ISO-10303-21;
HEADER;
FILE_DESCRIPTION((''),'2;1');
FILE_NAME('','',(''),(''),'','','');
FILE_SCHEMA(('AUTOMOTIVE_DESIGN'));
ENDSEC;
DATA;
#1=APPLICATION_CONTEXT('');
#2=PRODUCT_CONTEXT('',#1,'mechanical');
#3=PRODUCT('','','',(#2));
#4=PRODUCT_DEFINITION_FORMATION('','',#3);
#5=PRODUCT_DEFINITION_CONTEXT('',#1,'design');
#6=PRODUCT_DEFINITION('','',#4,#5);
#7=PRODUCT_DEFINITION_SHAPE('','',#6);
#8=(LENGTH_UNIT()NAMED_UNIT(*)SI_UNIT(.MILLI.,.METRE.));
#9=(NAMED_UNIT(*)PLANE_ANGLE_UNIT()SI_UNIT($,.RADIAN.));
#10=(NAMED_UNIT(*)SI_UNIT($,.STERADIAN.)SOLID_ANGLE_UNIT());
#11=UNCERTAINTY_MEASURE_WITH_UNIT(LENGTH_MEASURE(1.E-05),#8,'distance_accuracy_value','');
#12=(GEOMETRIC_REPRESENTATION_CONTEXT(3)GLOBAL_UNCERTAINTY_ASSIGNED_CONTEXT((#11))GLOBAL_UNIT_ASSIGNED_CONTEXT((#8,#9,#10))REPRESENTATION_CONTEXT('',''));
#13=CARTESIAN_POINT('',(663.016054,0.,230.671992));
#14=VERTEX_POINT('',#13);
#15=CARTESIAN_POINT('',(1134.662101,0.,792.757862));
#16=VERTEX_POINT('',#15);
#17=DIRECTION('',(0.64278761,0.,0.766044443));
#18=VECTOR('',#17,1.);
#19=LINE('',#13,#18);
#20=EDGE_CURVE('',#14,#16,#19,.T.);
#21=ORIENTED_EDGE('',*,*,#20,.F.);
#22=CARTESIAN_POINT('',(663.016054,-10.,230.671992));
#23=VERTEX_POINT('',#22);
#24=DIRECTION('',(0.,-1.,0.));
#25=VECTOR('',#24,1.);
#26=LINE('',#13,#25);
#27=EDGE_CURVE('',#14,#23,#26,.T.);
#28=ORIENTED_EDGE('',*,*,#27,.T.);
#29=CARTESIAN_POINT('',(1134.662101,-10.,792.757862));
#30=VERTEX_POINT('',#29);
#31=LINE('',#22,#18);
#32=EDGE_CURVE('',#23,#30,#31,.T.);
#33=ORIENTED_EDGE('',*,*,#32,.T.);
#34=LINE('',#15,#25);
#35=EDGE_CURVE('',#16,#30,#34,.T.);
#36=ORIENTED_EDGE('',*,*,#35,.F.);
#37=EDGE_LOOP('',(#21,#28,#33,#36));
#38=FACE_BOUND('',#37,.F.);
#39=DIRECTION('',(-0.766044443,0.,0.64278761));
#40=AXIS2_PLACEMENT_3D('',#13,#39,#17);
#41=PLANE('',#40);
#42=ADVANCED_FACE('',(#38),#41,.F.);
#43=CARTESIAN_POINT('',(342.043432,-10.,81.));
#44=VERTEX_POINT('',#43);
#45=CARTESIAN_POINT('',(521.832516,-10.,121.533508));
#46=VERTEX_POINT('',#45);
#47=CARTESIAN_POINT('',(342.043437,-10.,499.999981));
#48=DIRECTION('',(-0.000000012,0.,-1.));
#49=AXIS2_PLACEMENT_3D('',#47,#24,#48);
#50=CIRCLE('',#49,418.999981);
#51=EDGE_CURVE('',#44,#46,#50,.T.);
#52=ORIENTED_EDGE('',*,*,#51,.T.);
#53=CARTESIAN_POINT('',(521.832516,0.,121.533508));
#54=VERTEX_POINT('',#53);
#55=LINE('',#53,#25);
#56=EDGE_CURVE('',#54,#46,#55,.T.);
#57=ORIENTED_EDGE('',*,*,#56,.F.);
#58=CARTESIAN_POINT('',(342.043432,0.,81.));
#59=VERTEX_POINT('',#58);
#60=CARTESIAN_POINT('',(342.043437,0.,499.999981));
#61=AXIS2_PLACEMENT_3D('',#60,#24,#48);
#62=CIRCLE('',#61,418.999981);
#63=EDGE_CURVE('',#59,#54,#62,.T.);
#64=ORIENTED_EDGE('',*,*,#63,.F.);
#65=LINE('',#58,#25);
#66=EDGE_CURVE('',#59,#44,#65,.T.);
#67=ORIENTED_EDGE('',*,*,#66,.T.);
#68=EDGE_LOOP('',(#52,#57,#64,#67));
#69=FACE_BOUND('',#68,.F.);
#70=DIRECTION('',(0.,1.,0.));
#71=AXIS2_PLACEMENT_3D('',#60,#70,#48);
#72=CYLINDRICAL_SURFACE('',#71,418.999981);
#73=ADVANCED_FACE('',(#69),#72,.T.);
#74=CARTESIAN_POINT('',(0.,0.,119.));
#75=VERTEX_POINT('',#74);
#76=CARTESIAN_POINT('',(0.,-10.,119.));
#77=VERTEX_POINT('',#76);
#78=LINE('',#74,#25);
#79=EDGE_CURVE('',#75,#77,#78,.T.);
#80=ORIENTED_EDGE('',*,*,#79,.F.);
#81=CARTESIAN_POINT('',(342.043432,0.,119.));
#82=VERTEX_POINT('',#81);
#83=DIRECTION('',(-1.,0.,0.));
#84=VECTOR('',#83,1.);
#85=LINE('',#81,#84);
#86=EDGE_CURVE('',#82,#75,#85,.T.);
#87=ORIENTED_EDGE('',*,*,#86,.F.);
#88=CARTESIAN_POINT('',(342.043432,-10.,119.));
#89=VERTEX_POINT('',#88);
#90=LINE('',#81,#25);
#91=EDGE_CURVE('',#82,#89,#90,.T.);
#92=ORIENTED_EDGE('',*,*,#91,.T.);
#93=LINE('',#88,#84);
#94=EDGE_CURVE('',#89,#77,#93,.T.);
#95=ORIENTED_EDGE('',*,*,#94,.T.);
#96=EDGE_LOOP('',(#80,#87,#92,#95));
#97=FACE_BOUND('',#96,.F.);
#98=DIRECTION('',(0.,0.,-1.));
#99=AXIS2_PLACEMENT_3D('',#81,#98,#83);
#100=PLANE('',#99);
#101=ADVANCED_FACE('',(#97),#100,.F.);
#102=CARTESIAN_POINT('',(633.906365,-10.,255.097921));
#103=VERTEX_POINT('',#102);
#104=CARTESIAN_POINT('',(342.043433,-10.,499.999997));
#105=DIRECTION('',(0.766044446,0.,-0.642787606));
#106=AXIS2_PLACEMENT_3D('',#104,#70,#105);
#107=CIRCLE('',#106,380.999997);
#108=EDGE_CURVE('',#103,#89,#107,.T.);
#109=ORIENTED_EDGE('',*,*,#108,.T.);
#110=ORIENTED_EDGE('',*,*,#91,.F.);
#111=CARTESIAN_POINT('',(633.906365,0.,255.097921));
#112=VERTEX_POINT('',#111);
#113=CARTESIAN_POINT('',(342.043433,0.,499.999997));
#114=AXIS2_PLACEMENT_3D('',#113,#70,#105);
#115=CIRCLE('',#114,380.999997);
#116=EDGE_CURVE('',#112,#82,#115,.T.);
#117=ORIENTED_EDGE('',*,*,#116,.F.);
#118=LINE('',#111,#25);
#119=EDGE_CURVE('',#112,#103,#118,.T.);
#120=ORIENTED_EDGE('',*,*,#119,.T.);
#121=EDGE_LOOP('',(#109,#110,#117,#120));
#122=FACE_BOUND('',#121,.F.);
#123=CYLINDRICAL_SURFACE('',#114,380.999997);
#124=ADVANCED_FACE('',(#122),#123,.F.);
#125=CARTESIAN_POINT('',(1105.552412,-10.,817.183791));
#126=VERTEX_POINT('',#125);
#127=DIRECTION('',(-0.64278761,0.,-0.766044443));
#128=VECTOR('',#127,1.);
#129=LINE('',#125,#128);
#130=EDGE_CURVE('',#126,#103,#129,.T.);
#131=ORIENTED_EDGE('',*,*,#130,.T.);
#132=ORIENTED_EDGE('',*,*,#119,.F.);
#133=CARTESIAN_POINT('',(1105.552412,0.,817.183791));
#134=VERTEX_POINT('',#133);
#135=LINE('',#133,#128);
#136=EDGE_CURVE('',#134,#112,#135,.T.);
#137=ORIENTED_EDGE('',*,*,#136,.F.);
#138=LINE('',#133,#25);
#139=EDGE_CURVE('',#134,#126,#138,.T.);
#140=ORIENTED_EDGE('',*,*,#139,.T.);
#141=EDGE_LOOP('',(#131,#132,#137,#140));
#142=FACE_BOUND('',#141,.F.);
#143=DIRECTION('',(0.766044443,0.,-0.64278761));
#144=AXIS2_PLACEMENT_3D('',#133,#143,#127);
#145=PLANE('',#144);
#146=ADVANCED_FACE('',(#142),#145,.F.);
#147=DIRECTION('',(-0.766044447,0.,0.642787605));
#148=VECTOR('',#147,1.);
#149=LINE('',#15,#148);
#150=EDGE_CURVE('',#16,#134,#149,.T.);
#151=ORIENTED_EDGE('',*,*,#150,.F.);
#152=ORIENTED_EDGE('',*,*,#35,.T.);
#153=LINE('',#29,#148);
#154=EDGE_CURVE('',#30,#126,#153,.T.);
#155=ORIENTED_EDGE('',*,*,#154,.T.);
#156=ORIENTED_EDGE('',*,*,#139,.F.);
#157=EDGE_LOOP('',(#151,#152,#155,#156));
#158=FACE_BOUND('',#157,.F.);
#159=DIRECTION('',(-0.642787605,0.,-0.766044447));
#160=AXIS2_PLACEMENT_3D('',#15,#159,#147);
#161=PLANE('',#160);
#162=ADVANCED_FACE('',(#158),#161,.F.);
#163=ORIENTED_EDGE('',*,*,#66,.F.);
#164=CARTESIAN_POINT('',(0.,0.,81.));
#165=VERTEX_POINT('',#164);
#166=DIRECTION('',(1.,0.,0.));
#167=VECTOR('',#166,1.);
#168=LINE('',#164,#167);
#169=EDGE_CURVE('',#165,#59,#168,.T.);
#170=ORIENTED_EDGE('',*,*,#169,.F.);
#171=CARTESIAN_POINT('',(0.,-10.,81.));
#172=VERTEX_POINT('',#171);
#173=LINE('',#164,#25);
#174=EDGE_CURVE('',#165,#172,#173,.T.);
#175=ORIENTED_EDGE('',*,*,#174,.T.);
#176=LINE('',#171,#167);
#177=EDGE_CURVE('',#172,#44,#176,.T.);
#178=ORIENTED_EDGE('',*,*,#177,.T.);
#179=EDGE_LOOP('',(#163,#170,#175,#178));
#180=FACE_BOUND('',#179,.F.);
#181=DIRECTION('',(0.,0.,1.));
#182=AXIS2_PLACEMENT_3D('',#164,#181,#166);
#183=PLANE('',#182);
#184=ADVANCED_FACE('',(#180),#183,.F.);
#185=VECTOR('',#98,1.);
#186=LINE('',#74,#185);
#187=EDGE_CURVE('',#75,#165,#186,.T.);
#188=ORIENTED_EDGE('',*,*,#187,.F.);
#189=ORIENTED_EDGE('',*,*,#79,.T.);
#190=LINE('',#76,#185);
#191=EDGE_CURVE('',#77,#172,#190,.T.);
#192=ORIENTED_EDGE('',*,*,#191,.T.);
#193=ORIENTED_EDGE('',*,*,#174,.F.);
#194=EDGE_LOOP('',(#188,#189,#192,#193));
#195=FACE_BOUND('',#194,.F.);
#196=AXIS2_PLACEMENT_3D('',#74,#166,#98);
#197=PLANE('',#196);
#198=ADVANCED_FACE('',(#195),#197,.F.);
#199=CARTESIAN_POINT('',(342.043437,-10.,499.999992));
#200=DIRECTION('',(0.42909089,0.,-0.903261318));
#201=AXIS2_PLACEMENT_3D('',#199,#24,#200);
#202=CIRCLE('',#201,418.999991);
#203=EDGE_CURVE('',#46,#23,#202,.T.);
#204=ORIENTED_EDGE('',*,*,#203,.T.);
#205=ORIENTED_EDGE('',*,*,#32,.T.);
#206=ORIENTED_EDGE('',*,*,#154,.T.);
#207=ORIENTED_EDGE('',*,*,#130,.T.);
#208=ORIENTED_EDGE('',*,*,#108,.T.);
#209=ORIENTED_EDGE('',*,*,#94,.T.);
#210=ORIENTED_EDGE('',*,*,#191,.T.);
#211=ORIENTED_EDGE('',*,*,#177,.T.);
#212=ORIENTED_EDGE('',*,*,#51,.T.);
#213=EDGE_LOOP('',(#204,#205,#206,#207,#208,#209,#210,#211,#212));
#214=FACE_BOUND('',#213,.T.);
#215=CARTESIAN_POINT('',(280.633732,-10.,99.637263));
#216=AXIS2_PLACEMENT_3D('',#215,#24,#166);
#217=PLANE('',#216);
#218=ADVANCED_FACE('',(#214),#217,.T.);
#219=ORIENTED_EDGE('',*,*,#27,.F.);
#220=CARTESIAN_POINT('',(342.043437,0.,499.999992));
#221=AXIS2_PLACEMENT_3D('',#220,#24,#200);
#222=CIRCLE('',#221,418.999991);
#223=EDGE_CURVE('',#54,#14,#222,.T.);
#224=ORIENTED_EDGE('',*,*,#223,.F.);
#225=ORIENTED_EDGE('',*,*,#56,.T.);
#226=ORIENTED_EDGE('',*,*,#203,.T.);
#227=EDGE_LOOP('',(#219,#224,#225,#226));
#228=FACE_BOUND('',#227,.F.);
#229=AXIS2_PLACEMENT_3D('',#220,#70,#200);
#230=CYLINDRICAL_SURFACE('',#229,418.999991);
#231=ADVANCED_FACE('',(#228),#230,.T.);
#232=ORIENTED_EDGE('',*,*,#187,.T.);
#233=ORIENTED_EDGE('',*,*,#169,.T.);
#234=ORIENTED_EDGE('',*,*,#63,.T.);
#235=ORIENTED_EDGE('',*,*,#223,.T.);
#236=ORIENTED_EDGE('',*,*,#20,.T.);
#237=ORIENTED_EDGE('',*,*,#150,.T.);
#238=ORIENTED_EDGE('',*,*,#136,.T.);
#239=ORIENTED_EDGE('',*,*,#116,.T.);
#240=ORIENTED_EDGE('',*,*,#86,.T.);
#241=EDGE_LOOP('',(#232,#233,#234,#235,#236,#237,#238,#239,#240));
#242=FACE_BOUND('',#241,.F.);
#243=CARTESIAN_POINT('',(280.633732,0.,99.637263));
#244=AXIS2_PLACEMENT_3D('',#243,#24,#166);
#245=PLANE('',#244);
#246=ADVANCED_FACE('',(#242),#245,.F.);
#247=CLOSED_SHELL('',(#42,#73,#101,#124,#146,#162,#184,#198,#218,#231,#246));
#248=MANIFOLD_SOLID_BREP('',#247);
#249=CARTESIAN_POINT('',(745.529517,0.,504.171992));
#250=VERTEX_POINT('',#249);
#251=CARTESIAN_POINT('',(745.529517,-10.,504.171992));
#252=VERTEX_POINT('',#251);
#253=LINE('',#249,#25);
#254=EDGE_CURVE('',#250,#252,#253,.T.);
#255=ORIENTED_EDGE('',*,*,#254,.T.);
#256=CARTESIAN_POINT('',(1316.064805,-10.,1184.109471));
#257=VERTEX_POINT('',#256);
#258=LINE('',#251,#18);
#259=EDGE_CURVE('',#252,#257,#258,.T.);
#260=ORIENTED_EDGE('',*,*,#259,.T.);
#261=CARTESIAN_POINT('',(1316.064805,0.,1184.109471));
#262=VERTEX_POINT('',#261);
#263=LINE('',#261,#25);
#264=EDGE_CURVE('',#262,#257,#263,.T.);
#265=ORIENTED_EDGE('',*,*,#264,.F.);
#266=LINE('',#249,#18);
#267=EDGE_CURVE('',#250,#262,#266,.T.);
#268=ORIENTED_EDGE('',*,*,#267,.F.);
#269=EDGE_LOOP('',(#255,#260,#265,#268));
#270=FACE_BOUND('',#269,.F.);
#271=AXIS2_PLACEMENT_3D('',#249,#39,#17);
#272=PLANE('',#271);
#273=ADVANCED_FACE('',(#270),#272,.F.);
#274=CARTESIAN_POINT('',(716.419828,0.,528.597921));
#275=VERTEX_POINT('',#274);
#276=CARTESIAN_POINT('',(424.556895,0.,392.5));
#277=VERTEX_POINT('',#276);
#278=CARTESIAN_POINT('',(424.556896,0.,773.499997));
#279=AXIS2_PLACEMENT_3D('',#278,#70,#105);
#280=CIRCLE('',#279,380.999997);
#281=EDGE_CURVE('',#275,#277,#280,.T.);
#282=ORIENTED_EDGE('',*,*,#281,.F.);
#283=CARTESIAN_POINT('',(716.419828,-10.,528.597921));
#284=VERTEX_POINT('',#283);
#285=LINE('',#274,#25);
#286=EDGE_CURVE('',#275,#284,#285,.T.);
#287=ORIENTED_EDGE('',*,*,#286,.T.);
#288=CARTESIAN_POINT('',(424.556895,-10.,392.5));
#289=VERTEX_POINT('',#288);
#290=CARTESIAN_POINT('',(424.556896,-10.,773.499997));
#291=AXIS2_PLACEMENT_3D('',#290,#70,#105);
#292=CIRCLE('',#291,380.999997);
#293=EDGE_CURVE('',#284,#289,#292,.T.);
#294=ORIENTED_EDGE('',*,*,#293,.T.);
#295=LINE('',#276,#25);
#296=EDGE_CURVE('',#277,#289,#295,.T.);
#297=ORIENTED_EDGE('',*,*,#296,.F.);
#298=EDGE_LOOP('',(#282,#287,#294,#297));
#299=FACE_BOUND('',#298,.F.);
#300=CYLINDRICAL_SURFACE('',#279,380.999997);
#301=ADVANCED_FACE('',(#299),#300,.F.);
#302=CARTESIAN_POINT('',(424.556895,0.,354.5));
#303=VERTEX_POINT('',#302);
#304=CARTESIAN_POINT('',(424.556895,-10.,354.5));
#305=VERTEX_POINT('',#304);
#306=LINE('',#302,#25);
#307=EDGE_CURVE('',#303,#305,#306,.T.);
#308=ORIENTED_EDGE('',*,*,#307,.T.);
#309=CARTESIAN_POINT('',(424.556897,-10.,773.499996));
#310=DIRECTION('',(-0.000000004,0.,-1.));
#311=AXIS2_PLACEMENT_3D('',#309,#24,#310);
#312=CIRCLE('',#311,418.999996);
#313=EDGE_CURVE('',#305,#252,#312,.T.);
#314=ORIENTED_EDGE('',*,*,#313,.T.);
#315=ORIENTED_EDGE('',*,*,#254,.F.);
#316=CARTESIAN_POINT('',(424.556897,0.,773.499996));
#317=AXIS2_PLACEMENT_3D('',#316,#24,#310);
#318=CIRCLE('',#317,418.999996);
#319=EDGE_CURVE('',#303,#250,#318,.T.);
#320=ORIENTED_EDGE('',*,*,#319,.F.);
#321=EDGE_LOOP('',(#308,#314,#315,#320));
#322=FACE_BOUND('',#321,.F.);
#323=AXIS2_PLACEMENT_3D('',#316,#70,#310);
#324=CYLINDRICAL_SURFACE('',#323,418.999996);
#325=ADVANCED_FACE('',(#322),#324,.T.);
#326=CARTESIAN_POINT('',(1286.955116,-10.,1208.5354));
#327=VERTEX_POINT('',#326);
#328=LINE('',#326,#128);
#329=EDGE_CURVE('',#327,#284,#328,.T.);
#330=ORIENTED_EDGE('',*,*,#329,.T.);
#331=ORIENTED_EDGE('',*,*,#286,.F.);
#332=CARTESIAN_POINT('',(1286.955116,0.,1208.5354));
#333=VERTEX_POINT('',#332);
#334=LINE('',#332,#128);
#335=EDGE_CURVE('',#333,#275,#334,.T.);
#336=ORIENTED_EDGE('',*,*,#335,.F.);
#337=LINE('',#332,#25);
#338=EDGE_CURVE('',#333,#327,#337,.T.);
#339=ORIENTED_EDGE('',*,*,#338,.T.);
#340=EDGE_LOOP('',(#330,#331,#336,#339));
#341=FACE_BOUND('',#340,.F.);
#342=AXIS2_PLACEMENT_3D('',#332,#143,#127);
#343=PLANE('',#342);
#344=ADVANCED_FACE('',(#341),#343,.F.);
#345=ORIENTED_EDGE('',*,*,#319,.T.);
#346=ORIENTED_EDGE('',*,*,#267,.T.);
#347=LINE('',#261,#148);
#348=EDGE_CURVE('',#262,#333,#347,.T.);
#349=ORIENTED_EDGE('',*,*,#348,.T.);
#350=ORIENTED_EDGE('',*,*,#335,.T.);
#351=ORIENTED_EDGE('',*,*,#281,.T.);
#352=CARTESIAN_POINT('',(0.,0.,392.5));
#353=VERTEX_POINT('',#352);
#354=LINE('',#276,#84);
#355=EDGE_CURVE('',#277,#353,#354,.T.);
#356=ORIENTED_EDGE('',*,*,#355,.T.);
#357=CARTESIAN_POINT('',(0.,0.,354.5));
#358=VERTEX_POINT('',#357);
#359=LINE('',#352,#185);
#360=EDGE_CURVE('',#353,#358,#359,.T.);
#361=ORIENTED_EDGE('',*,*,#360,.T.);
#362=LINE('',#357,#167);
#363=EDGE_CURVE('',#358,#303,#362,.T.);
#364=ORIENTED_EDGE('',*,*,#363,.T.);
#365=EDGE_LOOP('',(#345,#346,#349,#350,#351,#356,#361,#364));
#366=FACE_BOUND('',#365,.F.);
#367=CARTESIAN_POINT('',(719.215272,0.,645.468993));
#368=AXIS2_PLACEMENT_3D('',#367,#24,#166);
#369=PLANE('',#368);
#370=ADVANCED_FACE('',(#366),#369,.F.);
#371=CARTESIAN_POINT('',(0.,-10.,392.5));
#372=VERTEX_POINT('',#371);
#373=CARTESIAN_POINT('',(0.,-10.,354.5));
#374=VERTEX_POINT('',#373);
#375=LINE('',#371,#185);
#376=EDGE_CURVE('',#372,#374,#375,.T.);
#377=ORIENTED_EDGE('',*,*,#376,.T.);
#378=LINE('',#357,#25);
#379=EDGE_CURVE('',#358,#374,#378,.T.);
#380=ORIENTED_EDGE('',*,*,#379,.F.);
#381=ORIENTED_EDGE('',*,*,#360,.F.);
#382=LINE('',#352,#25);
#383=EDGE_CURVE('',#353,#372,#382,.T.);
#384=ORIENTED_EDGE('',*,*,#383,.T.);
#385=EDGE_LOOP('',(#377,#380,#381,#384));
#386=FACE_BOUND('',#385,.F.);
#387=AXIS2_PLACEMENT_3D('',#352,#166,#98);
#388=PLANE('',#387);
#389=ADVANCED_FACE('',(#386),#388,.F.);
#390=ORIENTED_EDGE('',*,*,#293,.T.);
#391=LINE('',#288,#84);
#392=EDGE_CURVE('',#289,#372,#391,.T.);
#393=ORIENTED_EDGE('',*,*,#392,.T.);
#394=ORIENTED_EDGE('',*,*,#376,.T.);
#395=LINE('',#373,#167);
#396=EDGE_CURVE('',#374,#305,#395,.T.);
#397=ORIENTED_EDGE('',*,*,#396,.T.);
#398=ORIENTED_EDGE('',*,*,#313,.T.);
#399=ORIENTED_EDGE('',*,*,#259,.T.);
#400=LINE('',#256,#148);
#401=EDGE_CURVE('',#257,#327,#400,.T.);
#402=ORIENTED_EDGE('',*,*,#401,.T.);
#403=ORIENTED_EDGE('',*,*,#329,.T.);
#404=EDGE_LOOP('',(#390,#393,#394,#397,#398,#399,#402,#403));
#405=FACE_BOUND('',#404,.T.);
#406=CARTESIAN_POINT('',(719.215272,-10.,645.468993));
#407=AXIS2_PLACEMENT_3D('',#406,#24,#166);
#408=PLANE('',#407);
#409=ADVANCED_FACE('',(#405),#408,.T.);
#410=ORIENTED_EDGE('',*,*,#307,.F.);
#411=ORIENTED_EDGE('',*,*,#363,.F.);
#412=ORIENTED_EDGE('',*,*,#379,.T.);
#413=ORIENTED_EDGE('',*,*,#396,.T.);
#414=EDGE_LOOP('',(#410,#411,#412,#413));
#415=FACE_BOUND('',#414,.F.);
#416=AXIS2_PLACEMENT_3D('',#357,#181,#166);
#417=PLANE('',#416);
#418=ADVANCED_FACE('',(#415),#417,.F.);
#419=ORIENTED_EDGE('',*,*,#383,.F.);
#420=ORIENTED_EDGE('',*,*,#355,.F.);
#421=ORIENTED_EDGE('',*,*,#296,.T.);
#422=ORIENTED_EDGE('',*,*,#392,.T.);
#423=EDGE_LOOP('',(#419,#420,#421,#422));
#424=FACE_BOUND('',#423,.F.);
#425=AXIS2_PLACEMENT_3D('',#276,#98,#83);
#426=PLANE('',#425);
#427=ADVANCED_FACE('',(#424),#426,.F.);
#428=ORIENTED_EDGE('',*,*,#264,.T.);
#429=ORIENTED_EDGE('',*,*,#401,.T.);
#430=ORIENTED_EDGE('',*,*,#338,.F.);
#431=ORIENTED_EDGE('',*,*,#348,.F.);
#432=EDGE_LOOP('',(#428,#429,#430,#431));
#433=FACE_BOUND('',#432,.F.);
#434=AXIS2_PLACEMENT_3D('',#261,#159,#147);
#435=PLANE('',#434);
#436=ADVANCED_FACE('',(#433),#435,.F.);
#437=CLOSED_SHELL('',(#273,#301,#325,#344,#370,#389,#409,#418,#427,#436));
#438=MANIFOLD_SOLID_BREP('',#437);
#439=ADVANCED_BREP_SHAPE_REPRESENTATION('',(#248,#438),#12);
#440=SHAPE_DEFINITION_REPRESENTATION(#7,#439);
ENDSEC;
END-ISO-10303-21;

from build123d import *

# Parameters (mm, degrees)
F1_DEPTH = 10


with BuildPart() as f1:
    # F0 (on Front) → F1 (new body)
    with BuildSketch(Plane.XZ):
        with BuildLine():
            ThreePointArc((424.556895, 354.5), (601.633947, 393.757037), (745.529517, 504.171992))
            Line((745.529517, 504.171992), (1316.064805, 1184.109471))
            Line((1316.064805, 1184.109471), (1286.955116, 1208.5354))
            Line((1286.955116, 1208.5354), (716.419828, 528.597921))
            ThreePointArc((716.419828, 528.597921), (585.574453, 428.196733), (424.556895, 392.5))
            Line((424.556895, 392.5), (0, 392.5))
            Line((0, 392.5), (0, 373.5))
            Line((0, 373.5), (0, 354.5))
            Line((0, 354.5), (424.556895, 354.5))
        make_face()
        with BuildLine():
            Line((521.832516, 121.533508), (555.604914, 161.781884))
            ThreePointArc((555.604914, 161.781884), (453.202673, 115.755777), (342.043432, 100))
            Line((342.043432, 100), (292.043432, 100))
            Line((292.043432, 100), (0, 100))
            Line((0, 100), (0, 81))
            Line((0, 81), (342.043432, 81))
            ThreePointArc((342.043432, 81), (434.194233, 91.258969), (521.832516, 121.533508))
        make_face()
        with BuildLine():
            Line((555.604914, 161.781884), (633.906365, 255.097921))
            ThreePointArc((633.906365, 255.097921), (503.06099, 154.696733), (342.043432, 119))
            Line((342.043432, 119), (0, 119))
            Line((0, 119), (0, 100))
            Line((0, 100), (292.043432, 100))
            Line((292.043432, 100), (342.043432, 100))
            ThreePointArc((342.043432, 100), (453.202673, 115.755777), (555.604914, 161.781884))
        make_face()
        with BuildLine():
            Line((1105.552412, 817.183791), (633.906365, 255.097921))
            Line((633.906365, 255.097921), (555.604914, 161.781884))
            Line((555.604914, 161.781884), (521.832516, 121.533508))
            ThreePointArc((521.832516, 121.533508), (598.301844, 168.499432), (663.016054, 230.671992))
            Line((663.016054, 230.671992), (1134.662101, 792.757862))
            Line((1134.662101, 792.757862), (1105.552412, 817.183791))
        make_face()
    extrude(amount=F1_DEPTH)


solid = f1.part
